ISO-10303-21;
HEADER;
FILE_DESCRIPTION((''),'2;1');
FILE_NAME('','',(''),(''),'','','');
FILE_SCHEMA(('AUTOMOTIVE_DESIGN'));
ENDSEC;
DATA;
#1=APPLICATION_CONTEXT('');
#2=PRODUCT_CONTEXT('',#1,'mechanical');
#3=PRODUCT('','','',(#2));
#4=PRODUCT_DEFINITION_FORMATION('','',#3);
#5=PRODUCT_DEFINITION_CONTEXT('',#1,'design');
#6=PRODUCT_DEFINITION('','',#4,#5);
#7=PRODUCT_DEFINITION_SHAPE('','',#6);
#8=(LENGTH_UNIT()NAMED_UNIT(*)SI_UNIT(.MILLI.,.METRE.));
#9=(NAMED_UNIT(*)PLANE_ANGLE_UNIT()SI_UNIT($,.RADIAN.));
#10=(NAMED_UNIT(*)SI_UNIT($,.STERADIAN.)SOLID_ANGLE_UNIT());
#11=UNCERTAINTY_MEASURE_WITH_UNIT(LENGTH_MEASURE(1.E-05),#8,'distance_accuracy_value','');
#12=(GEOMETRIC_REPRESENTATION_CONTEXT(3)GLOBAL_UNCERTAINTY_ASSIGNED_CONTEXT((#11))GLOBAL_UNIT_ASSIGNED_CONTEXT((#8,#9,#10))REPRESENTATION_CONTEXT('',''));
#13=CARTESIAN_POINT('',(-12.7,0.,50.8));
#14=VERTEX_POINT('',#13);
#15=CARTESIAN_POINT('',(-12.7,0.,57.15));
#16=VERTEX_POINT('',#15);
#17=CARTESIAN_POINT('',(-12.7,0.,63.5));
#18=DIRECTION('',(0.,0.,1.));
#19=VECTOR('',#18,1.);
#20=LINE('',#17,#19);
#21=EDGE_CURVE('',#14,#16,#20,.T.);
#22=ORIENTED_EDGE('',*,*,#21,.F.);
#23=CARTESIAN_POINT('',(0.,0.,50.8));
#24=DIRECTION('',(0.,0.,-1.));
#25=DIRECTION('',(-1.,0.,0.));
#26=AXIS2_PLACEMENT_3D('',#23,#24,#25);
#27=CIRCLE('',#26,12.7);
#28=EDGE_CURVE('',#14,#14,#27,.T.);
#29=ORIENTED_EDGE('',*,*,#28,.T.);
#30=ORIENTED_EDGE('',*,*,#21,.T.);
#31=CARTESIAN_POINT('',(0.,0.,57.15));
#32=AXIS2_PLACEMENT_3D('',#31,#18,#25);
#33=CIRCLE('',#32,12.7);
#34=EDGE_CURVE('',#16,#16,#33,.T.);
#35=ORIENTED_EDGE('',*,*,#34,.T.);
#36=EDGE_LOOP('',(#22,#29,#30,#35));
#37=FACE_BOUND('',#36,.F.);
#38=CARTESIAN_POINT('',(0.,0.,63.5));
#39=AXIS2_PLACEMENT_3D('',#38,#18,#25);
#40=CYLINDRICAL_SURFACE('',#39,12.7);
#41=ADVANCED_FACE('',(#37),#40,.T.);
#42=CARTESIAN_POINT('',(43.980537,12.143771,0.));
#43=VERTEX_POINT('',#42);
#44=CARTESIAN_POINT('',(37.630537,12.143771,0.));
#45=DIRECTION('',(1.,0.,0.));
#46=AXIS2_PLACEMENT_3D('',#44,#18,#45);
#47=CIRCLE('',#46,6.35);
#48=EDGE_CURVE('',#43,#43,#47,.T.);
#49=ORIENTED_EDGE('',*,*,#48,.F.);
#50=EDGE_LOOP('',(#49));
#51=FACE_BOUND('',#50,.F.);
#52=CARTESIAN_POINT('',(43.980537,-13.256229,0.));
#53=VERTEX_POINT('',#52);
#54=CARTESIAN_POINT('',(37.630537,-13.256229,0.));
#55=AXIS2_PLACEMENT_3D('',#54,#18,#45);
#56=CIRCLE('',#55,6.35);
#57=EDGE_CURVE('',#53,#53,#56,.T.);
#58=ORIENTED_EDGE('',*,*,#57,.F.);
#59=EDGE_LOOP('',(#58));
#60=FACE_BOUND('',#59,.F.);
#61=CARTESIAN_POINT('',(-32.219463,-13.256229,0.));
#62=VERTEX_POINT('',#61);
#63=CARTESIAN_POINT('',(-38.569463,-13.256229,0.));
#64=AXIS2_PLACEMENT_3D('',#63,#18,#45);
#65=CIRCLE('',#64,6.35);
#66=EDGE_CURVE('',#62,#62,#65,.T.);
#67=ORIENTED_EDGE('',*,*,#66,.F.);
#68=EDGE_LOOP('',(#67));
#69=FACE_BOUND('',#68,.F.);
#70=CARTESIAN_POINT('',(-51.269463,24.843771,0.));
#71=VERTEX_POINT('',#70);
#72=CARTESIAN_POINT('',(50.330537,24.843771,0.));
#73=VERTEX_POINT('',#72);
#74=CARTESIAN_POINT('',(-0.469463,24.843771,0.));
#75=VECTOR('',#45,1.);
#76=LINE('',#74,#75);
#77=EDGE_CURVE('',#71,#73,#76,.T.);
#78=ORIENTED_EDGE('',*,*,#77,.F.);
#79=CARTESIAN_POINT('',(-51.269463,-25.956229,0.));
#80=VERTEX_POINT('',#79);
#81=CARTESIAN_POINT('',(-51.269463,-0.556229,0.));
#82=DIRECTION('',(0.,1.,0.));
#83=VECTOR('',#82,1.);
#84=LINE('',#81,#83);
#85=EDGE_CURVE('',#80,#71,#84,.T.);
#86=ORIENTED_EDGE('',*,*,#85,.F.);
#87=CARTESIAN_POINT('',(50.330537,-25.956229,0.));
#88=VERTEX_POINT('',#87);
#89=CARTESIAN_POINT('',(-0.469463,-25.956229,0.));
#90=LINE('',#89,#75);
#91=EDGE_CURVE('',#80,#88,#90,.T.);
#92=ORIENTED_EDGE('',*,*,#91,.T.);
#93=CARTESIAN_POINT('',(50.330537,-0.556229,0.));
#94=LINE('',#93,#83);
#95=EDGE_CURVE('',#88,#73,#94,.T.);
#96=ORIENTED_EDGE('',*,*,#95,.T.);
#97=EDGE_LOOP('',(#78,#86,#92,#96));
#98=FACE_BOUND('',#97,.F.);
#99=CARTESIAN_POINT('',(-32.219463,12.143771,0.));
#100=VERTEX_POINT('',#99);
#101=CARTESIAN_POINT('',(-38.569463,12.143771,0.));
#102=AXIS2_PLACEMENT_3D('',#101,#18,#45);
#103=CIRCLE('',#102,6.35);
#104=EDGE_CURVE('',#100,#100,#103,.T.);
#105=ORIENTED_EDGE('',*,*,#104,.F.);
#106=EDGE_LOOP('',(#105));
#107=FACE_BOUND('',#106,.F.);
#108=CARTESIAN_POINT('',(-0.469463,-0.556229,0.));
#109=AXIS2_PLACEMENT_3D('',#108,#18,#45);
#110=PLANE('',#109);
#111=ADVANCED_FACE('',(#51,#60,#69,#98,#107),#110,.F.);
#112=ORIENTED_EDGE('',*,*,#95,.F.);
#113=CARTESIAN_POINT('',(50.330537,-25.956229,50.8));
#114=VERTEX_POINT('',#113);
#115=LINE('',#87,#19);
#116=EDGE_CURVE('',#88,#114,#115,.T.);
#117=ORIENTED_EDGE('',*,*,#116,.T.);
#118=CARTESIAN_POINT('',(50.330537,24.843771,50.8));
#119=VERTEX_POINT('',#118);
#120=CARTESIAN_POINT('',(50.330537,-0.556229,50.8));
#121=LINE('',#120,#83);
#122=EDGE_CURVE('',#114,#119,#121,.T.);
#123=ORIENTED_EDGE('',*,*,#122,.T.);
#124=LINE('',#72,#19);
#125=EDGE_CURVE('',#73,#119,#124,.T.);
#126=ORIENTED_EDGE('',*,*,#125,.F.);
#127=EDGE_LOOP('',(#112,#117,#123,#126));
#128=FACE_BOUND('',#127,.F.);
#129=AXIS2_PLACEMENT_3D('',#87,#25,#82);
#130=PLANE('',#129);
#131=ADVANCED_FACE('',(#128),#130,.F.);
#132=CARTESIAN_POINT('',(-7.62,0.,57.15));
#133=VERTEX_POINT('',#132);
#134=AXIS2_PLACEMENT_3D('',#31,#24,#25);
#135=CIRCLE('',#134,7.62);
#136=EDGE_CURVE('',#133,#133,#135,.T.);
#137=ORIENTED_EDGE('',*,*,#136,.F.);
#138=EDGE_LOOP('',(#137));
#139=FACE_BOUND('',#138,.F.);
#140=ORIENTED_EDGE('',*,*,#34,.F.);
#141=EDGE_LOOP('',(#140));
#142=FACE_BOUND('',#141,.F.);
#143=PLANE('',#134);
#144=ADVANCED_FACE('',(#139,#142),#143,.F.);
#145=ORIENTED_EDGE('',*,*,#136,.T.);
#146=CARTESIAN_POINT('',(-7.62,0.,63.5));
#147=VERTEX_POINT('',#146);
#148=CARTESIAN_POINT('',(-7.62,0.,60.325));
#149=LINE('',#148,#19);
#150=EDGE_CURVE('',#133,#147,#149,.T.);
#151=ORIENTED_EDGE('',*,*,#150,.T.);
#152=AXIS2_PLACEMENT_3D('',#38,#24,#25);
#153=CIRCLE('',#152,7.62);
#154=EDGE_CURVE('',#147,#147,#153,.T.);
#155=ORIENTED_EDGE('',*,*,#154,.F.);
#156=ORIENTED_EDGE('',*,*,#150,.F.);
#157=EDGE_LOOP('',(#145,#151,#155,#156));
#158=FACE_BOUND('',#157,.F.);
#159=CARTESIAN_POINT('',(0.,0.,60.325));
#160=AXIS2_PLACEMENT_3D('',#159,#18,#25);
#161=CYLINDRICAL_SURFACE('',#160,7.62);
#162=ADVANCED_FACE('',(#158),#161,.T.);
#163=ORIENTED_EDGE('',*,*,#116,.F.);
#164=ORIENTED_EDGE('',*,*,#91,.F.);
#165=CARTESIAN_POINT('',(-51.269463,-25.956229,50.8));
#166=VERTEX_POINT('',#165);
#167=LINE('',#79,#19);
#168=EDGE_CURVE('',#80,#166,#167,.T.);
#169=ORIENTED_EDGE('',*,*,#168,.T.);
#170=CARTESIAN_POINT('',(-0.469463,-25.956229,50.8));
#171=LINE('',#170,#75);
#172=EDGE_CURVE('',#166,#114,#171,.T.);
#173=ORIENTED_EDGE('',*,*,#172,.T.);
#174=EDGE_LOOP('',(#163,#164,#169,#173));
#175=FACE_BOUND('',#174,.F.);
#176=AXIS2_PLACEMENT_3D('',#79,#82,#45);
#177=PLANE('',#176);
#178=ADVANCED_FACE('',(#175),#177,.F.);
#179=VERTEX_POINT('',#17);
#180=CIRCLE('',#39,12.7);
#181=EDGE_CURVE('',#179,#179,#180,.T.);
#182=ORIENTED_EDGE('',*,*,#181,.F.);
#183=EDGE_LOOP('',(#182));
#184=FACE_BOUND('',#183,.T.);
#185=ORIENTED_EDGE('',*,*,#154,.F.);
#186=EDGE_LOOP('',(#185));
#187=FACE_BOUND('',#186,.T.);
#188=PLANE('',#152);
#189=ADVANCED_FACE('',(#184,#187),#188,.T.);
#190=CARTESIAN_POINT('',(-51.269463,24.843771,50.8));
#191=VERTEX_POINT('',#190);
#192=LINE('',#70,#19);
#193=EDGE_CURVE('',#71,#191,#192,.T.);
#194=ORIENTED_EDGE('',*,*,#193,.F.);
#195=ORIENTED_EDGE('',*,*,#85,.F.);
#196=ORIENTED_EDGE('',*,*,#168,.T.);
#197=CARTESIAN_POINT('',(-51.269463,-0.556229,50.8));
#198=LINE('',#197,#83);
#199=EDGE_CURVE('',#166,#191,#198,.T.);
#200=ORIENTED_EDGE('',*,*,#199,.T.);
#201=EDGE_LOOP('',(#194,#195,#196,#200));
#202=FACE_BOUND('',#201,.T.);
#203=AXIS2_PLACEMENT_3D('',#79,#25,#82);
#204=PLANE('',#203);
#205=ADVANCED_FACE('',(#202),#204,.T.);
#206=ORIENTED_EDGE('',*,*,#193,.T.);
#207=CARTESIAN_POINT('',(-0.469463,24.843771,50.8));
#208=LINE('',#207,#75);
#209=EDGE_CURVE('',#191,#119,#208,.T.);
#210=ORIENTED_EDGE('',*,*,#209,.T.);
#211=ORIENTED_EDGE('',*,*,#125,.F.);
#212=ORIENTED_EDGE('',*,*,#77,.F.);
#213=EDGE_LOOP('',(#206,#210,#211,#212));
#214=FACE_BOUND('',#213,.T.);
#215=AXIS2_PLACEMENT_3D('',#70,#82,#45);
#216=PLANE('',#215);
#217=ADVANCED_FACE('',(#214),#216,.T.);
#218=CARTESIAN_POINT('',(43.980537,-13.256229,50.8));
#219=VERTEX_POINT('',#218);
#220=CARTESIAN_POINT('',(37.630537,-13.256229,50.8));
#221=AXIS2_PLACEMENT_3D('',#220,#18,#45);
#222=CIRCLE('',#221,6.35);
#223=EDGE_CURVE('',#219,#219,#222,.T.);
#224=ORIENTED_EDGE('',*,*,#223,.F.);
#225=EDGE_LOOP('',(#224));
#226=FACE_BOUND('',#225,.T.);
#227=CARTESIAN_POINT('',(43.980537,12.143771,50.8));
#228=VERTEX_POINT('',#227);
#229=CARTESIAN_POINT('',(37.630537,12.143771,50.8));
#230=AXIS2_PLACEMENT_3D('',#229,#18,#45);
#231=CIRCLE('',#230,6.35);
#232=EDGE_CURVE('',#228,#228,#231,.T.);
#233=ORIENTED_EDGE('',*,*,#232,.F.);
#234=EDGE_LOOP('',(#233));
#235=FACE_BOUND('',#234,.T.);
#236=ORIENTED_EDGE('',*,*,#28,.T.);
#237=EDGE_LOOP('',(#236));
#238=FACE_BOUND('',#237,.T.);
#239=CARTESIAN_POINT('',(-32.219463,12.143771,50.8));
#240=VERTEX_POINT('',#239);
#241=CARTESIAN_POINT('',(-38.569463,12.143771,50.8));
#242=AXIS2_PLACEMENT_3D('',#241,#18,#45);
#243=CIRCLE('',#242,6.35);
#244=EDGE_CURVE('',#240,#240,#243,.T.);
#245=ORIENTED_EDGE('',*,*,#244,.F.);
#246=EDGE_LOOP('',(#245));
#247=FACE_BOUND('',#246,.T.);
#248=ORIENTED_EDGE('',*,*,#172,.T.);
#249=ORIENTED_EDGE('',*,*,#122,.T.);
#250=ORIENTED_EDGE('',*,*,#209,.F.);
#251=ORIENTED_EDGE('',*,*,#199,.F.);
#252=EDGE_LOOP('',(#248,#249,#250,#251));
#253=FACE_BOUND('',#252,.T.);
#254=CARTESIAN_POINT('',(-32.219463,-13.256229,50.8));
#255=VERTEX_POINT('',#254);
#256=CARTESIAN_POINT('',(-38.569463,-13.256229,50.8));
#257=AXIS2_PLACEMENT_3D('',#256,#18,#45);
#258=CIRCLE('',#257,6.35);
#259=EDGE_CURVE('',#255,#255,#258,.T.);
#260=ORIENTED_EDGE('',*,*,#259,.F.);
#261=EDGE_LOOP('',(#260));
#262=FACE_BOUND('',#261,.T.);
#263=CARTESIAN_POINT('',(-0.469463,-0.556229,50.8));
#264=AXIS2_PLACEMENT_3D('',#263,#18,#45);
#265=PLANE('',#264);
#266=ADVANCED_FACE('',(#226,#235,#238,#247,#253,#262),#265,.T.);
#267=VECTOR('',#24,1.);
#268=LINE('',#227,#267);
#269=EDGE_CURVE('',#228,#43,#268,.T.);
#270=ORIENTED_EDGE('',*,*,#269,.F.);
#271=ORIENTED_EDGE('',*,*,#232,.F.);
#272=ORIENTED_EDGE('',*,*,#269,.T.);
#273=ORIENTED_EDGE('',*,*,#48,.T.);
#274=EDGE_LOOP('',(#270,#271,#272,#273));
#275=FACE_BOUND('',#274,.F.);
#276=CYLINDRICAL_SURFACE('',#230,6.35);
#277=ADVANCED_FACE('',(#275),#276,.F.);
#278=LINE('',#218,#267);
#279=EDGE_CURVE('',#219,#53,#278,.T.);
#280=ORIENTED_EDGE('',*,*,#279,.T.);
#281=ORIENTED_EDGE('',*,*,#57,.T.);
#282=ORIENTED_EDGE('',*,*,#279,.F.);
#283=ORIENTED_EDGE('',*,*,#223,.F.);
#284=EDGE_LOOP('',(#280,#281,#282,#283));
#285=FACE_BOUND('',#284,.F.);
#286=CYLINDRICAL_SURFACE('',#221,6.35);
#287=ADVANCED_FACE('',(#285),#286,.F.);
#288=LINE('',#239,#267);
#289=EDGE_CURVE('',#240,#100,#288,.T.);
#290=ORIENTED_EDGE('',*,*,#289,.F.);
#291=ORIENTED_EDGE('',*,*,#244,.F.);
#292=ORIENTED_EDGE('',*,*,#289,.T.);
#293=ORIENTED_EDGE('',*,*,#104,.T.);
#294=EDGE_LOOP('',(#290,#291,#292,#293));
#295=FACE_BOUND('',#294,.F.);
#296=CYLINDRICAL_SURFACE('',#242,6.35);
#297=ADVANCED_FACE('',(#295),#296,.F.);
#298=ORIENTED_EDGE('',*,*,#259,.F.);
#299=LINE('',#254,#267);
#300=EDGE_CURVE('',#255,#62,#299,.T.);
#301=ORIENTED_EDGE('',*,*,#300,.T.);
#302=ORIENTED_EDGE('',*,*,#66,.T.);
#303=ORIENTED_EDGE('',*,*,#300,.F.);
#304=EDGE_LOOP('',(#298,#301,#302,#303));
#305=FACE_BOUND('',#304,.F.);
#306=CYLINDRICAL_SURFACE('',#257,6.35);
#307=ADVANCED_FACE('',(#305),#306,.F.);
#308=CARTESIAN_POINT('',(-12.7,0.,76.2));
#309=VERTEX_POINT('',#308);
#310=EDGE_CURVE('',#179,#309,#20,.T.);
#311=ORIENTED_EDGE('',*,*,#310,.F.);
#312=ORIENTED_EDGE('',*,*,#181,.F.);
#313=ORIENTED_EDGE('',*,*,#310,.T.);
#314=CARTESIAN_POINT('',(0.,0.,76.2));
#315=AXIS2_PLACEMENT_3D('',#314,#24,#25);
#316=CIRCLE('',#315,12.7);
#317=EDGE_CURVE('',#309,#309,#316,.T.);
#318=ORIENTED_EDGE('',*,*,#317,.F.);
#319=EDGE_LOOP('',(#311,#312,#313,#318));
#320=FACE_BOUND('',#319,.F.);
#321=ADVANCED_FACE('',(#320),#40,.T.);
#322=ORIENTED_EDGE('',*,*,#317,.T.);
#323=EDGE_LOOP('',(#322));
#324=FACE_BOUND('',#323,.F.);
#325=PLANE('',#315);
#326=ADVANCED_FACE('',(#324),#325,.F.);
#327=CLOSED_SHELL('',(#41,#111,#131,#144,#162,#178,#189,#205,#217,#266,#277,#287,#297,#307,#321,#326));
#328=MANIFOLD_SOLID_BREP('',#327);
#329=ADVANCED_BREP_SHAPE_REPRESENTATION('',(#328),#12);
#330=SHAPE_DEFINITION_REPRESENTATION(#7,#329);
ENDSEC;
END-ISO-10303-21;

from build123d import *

# Parameters (mm, degrees)
F0_W     = 101.6
F0_H     = 50.8
F1_DEPTH = 50.8
F2_R     = 6.35
F3_DEPTH = 50.801
F4_W     = 12.7
F4_H     = 25.4
F6_W     = 19.9219
F6_H     = 6.35


with BuildPart() as f1:
    # F0 (on Top) → F1 (new body)
    with BuildSketch(Plane.XY):
        with Locations((-0.469463, -0.556229)):
            Rectangle(F0_W, F0_H)
    extrude(amount=F1_DEPTH)

    # F2 (on face) → F3 (cut, through all)
    with BuildSketch(Plane.XY.offset(50.8)):
        with Locations((-38.569463, 12.143771)):
            Circle(F2_R)
        with Locations((37.630537, 12.143771)):
            Circle(F2_R)
        with Locations((37.630537, -13.256229)):
            Circle(F2_R)
        with Locations((-38.569463, -13.256229)):
            Circle(F2_R)
    extrude(amount=-F3_DEPTH, mode=Mode.SUBTRACT)

    # F4 (on Front) → F5 (revolve)
    with BuildSketch(Plane.XZ):
        with Locations((-6.35, 63.5)):
            Rectangle(F4_W, F4_H)
    revolve(axis=Axis((0, 0, 63.5), (0, 0, -1)))

    # F6 (on Front) → F7 (revolve, cut)
    with BuildSketch(Plane.XZ):
        with Locations((-17.58095, 60.325)):
            Rectangle(F6_W, F6_H)
    revolve(axis=Axis((0, 0, 76.2), (0, 0, -1)), mode=Mode.SUBTRACT)


solid = f1.part
